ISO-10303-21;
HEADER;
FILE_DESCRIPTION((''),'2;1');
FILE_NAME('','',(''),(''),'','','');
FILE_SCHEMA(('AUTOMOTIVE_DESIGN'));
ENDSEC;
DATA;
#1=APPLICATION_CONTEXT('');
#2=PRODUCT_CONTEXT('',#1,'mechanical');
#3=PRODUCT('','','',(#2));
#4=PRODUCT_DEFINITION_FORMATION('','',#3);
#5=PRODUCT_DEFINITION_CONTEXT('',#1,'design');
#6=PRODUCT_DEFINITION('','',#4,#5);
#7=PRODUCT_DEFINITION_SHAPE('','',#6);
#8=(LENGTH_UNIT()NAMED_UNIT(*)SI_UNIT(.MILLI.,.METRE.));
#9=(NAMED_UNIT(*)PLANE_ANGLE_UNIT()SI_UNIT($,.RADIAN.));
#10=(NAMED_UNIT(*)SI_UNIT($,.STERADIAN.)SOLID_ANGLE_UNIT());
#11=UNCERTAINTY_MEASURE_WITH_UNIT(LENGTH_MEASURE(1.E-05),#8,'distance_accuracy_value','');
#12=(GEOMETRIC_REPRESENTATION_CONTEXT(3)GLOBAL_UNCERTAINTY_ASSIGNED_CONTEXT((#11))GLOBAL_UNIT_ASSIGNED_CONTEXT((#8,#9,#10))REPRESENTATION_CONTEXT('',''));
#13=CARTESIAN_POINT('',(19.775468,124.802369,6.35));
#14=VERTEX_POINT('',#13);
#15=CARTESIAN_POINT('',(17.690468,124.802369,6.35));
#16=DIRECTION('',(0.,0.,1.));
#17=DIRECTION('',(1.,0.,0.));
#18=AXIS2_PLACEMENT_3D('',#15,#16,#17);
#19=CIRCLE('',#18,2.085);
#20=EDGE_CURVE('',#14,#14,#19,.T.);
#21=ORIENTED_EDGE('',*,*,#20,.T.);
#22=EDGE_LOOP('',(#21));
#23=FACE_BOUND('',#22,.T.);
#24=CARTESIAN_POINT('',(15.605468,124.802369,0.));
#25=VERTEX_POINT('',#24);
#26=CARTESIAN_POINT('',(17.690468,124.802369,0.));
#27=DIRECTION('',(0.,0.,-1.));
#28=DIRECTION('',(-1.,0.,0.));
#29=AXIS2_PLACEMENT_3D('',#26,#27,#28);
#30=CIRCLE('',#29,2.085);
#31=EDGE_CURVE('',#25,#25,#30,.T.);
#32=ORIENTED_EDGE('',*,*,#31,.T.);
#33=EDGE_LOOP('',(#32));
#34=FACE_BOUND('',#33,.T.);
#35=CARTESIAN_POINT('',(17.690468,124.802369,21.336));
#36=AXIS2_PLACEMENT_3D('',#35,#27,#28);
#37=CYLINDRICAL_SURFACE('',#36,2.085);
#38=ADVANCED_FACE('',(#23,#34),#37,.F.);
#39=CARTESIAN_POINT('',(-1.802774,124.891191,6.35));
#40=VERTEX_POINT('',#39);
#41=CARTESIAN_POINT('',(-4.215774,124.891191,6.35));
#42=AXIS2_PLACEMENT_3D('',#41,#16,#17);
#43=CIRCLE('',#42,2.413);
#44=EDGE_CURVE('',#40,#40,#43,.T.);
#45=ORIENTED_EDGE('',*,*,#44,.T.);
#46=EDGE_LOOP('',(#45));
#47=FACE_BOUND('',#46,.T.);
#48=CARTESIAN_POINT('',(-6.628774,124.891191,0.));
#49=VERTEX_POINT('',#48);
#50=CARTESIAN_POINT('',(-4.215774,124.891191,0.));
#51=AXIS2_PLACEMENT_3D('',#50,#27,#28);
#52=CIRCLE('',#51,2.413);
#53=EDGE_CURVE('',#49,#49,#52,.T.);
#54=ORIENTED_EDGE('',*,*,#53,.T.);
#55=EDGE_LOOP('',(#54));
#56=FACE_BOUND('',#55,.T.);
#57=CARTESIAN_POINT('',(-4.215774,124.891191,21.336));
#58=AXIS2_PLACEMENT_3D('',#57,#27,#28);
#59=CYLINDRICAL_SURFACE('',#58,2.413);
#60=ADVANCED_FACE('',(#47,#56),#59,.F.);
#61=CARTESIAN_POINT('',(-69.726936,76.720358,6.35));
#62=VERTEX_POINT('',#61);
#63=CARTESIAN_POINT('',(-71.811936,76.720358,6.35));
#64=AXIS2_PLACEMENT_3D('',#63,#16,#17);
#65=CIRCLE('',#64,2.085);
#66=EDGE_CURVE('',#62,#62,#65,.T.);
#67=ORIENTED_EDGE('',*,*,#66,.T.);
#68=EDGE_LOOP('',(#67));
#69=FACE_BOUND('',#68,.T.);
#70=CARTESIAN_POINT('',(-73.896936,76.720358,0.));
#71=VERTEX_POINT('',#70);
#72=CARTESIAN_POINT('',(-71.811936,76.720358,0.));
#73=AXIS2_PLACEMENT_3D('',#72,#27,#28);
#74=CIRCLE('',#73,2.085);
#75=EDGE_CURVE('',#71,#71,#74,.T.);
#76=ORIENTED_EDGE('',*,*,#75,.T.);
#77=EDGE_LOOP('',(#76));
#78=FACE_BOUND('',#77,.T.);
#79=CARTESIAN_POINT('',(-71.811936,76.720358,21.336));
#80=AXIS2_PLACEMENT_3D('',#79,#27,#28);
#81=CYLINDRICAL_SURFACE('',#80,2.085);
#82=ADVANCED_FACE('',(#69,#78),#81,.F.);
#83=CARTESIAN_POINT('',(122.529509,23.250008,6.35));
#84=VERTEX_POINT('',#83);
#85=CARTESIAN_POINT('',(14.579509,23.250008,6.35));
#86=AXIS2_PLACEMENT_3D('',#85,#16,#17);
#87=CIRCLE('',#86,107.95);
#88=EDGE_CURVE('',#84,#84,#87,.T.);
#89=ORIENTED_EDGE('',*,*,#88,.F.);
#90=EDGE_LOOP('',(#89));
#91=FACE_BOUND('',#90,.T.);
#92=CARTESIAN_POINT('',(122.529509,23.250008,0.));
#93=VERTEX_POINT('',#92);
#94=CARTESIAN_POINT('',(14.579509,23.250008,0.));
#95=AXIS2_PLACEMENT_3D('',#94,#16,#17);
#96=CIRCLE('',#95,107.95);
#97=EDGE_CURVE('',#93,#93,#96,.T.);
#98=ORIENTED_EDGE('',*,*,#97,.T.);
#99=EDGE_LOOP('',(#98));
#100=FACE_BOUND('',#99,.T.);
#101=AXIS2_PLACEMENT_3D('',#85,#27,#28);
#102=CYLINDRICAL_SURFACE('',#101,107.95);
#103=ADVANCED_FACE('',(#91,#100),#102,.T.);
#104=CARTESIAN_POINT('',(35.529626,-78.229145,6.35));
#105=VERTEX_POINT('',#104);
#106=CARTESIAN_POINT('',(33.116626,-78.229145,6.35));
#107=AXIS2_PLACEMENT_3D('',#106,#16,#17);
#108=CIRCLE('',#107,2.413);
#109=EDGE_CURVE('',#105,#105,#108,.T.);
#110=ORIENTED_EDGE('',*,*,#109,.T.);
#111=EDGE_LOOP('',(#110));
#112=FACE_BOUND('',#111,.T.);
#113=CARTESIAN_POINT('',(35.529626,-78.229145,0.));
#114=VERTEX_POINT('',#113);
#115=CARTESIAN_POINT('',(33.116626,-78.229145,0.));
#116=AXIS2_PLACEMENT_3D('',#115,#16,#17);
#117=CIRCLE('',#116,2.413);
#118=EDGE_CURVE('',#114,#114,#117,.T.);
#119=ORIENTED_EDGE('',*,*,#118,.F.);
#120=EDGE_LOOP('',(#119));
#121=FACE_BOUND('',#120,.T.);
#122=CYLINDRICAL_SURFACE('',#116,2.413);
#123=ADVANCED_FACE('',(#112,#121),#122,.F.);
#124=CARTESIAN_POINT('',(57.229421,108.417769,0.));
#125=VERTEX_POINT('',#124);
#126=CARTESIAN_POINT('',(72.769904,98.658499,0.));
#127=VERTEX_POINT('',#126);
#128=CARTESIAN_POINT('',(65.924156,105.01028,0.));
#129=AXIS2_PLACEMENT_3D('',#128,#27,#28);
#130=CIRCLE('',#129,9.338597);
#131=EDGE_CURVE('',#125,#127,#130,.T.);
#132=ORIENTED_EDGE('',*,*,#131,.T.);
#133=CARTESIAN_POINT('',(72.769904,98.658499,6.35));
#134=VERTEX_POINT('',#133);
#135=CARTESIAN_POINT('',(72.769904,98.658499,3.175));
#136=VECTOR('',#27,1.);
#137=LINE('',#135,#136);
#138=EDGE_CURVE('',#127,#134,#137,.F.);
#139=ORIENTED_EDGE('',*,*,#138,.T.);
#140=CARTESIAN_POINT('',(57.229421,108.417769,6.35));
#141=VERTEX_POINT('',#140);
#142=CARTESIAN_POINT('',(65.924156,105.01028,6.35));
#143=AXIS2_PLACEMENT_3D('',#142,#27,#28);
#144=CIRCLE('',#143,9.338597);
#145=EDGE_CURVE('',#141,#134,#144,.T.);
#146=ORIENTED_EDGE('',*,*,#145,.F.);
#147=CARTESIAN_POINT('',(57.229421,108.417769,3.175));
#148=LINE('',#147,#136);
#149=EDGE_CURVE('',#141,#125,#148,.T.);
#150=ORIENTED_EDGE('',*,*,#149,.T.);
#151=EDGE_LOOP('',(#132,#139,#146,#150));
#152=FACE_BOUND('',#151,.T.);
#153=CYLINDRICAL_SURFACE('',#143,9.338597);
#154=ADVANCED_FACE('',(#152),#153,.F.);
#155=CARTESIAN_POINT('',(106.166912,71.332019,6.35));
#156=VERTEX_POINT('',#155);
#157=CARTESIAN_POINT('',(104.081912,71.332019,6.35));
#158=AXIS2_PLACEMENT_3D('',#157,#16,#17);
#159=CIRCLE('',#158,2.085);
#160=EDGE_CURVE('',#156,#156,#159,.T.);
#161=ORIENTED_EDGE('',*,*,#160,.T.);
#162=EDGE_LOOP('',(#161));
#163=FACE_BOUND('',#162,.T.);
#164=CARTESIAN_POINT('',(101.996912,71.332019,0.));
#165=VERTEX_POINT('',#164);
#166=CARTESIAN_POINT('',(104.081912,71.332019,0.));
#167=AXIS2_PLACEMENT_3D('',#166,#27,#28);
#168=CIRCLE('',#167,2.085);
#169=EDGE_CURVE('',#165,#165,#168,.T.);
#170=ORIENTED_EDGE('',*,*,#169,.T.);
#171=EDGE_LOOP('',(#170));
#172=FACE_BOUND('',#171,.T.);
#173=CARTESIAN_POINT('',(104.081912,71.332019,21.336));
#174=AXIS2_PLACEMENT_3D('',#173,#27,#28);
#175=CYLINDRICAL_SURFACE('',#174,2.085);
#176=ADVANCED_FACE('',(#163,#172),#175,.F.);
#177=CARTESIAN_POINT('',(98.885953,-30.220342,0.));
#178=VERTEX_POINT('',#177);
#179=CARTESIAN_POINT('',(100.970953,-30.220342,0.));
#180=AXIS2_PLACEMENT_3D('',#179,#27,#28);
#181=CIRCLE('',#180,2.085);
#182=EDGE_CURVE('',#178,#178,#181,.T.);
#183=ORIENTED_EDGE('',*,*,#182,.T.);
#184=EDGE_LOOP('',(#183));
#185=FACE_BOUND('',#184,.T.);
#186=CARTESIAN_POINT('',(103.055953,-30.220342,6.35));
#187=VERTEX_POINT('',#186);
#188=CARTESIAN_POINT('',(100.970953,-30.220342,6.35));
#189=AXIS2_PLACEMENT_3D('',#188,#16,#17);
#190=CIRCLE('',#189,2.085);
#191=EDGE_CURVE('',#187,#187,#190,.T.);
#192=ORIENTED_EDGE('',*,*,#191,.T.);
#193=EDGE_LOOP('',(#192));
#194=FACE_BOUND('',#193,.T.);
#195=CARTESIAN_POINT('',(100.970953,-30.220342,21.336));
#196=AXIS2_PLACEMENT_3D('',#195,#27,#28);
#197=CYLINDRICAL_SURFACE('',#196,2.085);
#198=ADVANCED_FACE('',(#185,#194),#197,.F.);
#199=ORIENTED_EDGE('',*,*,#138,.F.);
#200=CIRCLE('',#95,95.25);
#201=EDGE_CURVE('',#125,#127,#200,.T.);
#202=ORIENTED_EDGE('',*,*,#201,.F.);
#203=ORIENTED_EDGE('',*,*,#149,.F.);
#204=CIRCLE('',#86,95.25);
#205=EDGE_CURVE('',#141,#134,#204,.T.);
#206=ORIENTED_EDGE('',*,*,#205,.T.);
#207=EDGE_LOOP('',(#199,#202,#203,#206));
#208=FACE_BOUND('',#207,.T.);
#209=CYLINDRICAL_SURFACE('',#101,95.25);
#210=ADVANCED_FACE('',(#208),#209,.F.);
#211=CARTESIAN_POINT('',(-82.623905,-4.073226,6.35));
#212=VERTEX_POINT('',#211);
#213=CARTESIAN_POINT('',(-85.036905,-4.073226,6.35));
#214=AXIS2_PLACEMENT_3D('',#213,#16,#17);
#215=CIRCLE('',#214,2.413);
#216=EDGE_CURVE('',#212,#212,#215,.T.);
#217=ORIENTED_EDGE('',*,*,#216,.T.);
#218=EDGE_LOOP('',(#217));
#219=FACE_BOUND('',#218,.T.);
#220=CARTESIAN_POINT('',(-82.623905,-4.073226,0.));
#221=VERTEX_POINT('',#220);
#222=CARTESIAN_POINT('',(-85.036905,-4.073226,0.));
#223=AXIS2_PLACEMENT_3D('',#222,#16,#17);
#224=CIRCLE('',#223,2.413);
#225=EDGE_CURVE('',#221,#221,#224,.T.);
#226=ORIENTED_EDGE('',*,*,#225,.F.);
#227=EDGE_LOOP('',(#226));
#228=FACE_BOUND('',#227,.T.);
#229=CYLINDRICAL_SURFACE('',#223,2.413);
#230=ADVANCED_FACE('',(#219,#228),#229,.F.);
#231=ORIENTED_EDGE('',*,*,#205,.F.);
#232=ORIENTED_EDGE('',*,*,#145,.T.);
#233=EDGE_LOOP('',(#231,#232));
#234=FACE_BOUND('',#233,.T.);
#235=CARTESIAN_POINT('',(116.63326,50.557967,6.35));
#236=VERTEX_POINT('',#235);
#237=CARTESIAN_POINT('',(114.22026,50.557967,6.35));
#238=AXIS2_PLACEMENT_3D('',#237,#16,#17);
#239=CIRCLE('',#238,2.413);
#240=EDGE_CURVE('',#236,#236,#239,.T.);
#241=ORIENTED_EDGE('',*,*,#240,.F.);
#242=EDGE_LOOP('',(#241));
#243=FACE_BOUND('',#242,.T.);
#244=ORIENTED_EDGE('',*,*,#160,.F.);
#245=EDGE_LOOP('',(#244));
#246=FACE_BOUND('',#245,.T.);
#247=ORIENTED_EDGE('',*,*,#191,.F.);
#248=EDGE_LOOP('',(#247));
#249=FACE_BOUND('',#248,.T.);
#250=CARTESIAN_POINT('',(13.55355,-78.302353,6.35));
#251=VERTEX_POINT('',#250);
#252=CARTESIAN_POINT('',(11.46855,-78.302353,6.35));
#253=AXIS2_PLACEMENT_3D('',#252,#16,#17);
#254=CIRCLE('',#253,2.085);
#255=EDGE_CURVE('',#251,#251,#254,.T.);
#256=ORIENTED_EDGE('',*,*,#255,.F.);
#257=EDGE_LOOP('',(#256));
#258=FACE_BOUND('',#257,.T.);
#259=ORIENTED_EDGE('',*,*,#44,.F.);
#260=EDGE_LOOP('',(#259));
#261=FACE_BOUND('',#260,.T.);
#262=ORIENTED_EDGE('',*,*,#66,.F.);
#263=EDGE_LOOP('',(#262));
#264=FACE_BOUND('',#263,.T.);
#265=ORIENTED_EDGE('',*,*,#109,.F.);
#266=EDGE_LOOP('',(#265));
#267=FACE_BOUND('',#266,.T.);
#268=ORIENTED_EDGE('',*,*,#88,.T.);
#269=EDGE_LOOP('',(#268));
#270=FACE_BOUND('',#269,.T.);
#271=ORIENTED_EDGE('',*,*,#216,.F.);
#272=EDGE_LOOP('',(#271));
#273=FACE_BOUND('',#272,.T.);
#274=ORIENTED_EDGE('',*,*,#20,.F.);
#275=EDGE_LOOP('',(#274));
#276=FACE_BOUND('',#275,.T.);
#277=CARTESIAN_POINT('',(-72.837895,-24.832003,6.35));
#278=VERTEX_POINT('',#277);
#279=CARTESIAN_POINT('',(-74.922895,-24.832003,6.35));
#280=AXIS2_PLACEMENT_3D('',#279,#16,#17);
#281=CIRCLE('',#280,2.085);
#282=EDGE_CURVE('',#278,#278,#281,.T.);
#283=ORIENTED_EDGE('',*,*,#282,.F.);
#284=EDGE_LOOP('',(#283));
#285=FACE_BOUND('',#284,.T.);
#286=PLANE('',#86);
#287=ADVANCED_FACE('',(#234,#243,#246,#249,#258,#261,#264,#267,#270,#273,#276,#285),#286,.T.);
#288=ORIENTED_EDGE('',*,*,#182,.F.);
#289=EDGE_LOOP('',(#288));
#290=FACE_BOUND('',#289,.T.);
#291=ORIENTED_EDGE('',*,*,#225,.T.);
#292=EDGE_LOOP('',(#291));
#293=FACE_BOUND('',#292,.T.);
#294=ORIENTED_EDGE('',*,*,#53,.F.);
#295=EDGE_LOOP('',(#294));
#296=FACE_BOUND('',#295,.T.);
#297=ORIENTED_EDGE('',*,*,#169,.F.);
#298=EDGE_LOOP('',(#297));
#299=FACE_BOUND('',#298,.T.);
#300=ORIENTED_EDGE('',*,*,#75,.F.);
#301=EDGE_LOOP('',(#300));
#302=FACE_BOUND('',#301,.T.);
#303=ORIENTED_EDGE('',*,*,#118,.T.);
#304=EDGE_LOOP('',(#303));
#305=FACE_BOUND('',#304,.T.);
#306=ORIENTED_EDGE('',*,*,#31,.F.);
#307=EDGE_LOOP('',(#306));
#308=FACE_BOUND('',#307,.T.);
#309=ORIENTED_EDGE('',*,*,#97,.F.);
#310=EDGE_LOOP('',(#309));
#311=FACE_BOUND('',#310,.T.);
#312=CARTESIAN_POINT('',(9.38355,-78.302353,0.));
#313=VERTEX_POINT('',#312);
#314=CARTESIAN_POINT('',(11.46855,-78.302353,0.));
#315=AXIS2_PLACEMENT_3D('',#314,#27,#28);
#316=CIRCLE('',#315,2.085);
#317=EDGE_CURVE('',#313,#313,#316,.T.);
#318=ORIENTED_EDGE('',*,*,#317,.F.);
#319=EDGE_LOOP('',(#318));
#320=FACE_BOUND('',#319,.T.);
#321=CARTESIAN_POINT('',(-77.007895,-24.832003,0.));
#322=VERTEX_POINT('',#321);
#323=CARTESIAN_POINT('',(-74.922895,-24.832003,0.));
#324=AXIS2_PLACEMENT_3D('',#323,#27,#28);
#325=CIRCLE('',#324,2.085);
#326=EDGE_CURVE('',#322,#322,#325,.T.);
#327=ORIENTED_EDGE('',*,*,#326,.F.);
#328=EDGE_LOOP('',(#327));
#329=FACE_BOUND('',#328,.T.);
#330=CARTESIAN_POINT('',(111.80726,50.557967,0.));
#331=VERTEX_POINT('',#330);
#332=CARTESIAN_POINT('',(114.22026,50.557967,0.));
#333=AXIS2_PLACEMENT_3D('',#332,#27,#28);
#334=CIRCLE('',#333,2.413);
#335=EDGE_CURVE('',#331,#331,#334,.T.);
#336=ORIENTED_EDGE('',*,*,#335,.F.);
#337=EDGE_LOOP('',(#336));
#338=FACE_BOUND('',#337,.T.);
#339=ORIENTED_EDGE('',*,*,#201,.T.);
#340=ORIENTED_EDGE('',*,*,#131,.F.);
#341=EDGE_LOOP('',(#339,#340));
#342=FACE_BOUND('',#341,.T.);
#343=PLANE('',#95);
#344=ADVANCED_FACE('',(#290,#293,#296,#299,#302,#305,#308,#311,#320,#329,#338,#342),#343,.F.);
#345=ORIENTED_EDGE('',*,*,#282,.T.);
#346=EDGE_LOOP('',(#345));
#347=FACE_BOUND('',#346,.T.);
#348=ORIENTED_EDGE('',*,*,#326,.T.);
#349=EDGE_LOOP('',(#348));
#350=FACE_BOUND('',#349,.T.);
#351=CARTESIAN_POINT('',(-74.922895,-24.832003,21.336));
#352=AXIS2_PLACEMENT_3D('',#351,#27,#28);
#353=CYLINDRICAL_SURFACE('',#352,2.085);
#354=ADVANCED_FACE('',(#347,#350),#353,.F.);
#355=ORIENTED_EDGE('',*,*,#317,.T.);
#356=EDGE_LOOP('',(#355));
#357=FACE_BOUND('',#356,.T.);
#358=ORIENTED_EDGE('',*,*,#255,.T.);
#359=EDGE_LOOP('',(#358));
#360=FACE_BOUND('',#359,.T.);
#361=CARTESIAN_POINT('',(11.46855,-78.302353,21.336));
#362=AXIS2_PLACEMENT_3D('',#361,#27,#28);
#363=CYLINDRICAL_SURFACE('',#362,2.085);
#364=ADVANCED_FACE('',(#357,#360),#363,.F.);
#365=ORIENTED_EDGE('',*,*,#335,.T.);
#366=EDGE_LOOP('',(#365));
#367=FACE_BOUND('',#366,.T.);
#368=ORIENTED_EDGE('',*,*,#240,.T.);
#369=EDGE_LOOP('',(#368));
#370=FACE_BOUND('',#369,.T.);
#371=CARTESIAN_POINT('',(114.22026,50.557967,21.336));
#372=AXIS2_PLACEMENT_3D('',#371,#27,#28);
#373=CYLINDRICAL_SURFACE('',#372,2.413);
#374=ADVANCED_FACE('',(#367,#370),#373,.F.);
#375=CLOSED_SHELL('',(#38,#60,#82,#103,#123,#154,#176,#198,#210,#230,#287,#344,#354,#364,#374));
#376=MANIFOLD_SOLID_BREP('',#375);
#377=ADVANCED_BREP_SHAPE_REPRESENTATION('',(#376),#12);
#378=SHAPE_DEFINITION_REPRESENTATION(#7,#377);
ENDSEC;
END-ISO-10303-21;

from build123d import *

# Parameters (mm, degrees)
SKETCH1_R           = 107.95
SKETCH1_R_2         = 95.25
BOSS_EXTRUDE1_DEPTH = 6.35
SKETCH2_R           = 2.085
SKETCH2_R_2         = 2.413
CUT_EXTRUDE1_DEPTH  = 21.336
SKETCH3_R           = 9.338597003
CUT_EXTRUDE2_DEPTH  = 7.35
SKETCH4_R           = 2.413
CUT_EXTRUDE3_DEPTH  = 6.35


with BuildPart() as part:
    # Sketch1 → Boss-Extrude1 (new body)
    with BuildSketch(Plane.XY):
        with Locations((14.57950887, 23.250008023)):
            Circle(SKETCH1_R)
        with Locations((14.57950887, 23.250008023)):
            Circle(SKETCH1_R_2, mode=Mode.SUBTRACT)
    extrude(amount=BOSS_EXTRUDE1_DEPTH)

    # Sketch2 → Cut-Extrude1 (cut)
    with BuildSketch(Plane(origin=(0, 0, 0), x_dir=(-1, 0, 0), z_dir=(0, 0, -1))):
        with Locations((-104.081912459, 71.332018712)):
            Circle(SKETCH2_R)
        with Locations((-17.690467943, 124.802368575)):
            Circle(SKETCH2_R)
        with Locations((71.811935646, 76.720357886)):
            Circle(SKETCH2_R)
        with Locations((74.922894719, -24.832002665)):
            Circle(SKETCH2_R)
        with Locations((-11.468549797, -78.302352529)):
            Circle(SKETCH2_R)
        with Locations((-100.970953386, -30.22034184)):
            Circle(SKETCH2_R)
        with Locations((4.215773698, 124.891191499)):
            Circle(SKETCH2_R_2)
        with Locations((-114.220260226, 50.557967298)):
            Circle(SKETCH2_R_2)
    extrude(amount=-CUT_EXTRUDE1_DEPTH, mode=Mode.SUBTRACT)

    # Sketch3 → Cut-Extrude2 (cut, through all)
    with BuildSketch(Plane(origin=(0, 0, 0), x_dir=(-1, 0, 0), z_dir=(0, 0, -1))):
        with Locations((-65.924155814, 105.010280384)):
            Circle(SKETCH3_R)
    extrude(amount=-CUT_EXTRUDE2_DEPTH, mode=Mode.SUBTRACT)

    # Sketch4 → Cut-Extrude3 (cut)
    with BuildSketch(Plane.XY.offset(6.35)):
        with Locations((33.116626404, -78.229145041)):
            Circle(SKETCH4_R)
        with Locations((-85.036904703, -4.073226214)):
            Circle(SKETCH4_R)
    extrude(amount=-CUT_EXTRUDE3_DEPTH, mode=Mode.SUBTRACT)


solid = part.part
